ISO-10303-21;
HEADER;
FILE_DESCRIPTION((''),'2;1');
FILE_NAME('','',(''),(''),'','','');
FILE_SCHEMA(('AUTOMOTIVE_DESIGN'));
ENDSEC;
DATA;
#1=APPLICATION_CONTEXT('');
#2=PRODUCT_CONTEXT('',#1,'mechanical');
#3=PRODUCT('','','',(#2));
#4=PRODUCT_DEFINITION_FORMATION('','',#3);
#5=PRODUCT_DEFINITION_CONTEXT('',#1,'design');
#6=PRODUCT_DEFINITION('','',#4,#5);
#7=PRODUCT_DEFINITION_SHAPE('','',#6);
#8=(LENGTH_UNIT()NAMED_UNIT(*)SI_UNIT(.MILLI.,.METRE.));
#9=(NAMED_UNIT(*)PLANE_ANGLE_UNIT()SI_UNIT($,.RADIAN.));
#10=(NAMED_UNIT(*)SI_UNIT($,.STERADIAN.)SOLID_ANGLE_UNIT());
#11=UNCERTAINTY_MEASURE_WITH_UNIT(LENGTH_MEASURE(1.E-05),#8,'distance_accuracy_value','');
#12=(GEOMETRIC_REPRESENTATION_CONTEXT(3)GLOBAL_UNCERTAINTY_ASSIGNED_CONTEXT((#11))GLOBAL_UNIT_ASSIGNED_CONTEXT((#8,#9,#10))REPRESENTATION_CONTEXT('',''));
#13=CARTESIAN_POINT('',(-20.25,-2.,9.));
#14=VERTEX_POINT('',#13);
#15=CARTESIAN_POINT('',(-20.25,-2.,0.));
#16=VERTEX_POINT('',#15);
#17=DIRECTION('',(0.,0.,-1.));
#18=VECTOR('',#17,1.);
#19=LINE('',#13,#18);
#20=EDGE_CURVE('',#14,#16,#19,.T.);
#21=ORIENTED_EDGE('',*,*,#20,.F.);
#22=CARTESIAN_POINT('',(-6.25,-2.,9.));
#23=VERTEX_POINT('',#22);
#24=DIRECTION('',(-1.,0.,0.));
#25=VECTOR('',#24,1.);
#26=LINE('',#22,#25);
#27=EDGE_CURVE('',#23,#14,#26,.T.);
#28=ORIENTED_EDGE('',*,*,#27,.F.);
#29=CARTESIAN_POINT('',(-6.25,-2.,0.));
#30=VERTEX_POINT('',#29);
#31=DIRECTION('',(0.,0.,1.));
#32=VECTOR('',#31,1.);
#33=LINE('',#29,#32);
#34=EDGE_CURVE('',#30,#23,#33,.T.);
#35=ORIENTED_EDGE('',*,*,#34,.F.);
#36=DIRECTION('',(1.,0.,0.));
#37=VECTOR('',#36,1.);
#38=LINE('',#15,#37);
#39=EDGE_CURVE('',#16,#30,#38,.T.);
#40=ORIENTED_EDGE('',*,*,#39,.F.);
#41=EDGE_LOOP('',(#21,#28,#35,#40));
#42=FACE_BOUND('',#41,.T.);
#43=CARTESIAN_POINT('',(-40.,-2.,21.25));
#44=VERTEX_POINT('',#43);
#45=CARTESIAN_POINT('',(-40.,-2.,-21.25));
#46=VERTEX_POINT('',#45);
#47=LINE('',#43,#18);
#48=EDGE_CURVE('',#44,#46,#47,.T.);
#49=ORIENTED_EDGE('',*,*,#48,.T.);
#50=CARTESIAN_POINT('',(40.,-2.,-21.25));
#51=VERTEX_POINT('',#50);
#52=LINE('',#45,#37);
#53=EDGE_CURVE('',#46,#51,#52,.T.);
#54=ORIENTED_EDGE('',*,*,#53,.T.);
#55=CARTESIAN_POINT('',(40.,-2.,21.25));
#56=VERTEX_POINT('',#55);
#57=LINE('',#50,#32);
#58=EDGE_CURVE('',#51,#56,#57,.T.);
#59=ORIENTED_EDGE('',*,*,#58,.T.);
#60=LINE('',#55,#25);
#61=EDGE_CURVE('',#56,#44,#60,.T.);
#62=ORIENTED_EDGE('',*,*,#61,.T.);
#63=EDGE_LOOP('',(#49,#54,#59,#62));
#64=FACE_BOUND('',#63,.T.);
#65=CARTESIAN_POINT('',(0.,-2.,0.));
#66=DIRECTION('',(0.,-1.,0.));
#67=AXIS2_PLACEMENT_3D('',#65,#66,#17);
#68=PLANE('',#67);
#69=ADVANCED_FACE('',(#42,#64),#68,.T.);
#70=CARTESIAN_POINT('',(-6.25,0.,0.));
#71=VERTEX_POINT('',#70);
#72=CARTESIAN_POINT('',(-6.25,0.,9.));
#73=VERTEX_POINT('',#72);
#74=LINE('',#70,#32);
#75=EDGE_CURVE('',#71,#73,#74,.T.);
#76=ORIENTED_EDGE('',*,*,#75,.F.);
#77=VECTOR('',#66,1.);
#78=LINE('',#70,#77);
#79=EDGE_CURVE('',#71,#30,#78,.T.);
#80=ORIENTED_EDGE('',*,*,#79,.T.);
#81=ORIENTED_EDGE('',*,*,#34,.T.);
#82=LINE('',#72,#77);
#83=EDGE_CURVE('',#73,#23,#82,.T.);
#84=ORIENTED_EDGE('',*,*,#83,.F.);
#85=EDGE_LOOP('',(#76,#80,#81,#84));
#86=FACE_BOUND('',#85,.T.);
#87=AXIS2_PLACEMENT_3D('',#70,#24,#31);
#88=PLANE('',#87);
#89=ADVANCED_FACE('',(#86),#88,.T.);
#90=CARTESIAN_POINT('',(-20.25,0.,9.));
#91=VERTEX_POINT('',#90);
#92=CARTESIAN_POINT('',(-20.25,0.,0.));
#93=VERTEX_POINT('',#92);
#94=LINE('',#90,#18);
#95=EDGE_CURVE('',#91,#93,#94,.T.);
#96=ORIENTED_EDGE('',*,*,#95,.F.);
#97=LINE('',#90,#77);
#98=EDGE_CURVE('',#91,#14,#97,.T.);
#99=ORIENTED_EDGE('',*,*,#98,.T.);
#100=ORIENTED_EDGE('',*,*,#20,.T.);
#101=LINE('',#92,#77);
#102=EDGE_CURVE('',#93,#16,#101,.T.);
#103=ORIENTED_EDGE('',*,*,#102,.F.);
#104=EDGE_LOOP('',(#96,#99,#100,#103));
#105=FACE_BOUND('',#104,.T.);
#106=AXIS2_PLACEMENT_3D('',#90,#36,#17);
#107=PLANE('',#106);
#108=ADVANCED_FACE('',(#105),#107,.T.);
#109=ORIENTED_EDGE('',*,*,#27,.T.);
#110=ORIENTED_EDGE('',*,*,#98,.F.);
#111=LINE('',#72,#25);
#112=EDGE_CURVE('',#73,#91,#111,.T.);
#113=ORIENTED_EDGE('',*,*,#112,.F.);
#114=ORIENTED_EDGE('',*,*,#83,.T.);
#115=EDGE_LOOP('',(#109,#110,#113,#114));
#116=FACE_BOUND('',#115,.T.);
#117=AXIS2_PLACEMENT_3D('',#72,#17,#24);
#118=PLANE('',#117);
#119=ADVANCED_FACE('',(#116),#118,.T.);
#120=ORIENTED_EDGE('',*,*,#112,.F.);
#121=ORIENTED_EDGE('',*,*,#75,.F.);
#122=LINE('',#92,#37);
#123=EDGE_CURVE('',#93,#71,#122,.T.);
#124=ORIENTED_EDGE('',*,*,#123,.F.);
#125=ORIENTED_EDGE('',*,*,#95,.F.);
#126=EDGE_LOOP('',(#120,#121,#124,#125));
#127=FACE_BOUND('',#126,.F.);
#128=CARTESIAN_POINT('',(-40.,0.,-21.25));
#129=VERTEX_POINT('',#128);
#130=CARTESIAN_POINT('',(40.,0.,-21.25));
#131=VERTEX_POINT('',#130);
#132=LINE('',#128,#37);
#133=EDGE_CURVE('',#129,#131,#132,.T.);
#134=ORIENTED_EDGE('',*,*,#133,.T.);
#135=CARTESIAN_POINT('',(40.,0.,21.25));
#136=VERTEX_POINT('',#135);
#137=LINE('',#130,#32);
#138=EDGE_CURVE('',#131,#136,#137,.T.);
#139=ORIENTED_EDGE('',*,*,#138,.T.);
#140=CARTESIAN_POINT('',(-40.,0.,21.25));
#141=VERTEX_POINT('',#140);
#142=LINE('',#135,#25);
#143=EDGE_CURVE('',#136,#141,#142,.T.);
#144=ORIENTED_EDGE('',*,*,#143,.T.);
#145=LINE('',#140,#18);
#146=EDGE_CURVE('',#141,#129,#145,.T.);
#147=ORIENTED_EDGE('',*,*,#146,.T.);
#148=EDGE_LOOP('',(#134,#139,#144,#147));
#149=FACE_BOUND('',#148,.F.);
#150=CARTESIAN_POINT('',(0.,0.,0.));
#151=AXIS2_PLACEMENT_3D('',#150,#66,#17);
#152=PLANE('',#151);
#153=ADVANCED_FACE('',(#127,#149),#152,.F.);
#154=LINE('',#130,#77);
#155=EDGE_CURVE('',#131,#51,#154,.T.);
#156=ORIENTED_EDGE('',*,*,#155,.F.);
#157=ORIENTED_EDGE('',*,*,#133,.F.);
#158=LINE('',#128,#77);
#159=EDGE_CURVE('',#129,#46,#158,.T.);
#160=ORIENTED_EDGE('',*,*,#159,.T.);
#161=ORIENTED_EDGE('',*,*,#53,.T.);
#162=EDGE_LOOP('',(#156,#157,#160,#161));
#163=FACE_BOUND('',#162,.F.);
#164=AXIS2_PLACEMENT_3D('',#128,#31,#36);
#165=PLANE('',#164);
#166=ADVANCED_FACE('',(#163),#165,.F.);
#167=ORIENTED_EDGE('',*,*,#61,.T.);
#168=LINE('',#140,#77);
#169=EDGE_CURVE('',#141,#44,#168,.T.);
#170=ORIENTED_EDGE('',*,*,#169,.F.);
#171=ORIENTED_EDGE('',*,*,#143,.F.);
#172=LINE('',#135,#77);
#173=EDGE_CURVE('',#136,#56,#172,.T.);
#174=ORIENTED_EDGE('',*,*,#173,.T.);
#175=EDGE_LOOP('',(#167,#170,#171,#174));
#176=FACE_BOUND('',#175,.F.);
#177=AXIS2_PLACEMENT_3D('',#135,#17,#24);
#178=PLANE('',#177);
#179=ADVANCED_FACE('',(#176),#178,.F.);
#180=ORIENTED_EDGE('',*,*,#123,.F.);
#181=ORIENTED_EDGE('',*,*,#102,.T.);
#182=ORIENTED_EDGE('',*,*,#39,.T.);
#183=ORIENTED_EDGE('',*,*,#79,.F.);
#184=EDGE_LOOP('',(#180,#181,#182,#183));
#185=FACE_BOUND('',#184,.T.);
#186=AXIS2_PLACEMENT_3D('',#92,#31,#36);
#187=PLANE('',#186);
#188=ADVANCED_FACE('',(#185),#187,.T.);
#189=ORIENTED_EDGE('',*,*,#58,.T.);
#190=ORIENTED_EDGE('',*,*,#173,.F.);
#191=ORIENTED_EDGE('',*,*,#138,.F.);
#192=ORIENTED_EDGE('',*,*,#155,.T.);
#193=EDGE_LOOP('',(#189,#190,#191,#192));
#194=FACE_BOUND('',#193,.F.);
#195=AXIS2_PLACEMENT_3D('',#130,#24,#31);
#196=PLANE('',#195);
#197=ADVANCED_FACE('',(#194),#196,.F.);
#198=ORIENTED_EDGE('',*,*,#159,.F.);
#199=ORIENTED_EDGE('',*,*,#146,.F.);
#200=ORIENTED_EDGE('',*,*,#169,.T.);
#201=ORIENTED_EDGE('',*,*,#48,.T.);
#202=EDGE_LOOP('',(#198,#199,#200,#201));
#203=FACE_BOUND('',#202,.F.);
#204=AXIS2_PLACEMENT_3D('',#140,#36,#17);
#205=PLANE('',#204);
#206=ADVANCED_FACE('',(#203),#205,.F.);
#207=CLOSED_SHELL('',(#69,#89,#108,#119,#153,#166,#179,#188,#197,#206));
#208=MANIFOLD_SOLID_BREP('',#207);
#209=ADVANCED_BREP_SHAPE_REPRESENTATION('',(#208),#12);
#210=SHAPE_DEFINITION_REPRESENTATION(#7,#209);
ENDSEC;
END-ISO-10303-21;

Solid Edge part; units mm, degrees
sketch "Sketch1" plane through (0, 0, 0) normal (0, -1, 0) x (1, 0, 0)
  line L0 (40, -21.25) -> (40, 21.25)
  line L1 (40, 21.25) -> (-40, 21.25)
  line L2 (-40, 21.25) -> (-40, -21.25)
  line L3 (-40, -21.25) -> (40, -21.25)
extrude "Protrusion1" add sketch "Sketch1" along normal blind 2
sketch "Sketch2" plane through (0, 0, 0) normal (0, -1, 0) x (1, 0, 0)
  line L0 (-6.25, 0) -> (-6.25, 9)
  line L1 (-6.25, 9) -> (-20.25, 9)
  line L2 (-20.25, 9) -> (-20.25, 0)
  line L3 (-20.25, 0) -> (-6.25, 0)
extrude "ExtrudedCutout_10" cut sketch "Sketch2" along normal blind 2
properties material "ABS Plastic, high impact"
